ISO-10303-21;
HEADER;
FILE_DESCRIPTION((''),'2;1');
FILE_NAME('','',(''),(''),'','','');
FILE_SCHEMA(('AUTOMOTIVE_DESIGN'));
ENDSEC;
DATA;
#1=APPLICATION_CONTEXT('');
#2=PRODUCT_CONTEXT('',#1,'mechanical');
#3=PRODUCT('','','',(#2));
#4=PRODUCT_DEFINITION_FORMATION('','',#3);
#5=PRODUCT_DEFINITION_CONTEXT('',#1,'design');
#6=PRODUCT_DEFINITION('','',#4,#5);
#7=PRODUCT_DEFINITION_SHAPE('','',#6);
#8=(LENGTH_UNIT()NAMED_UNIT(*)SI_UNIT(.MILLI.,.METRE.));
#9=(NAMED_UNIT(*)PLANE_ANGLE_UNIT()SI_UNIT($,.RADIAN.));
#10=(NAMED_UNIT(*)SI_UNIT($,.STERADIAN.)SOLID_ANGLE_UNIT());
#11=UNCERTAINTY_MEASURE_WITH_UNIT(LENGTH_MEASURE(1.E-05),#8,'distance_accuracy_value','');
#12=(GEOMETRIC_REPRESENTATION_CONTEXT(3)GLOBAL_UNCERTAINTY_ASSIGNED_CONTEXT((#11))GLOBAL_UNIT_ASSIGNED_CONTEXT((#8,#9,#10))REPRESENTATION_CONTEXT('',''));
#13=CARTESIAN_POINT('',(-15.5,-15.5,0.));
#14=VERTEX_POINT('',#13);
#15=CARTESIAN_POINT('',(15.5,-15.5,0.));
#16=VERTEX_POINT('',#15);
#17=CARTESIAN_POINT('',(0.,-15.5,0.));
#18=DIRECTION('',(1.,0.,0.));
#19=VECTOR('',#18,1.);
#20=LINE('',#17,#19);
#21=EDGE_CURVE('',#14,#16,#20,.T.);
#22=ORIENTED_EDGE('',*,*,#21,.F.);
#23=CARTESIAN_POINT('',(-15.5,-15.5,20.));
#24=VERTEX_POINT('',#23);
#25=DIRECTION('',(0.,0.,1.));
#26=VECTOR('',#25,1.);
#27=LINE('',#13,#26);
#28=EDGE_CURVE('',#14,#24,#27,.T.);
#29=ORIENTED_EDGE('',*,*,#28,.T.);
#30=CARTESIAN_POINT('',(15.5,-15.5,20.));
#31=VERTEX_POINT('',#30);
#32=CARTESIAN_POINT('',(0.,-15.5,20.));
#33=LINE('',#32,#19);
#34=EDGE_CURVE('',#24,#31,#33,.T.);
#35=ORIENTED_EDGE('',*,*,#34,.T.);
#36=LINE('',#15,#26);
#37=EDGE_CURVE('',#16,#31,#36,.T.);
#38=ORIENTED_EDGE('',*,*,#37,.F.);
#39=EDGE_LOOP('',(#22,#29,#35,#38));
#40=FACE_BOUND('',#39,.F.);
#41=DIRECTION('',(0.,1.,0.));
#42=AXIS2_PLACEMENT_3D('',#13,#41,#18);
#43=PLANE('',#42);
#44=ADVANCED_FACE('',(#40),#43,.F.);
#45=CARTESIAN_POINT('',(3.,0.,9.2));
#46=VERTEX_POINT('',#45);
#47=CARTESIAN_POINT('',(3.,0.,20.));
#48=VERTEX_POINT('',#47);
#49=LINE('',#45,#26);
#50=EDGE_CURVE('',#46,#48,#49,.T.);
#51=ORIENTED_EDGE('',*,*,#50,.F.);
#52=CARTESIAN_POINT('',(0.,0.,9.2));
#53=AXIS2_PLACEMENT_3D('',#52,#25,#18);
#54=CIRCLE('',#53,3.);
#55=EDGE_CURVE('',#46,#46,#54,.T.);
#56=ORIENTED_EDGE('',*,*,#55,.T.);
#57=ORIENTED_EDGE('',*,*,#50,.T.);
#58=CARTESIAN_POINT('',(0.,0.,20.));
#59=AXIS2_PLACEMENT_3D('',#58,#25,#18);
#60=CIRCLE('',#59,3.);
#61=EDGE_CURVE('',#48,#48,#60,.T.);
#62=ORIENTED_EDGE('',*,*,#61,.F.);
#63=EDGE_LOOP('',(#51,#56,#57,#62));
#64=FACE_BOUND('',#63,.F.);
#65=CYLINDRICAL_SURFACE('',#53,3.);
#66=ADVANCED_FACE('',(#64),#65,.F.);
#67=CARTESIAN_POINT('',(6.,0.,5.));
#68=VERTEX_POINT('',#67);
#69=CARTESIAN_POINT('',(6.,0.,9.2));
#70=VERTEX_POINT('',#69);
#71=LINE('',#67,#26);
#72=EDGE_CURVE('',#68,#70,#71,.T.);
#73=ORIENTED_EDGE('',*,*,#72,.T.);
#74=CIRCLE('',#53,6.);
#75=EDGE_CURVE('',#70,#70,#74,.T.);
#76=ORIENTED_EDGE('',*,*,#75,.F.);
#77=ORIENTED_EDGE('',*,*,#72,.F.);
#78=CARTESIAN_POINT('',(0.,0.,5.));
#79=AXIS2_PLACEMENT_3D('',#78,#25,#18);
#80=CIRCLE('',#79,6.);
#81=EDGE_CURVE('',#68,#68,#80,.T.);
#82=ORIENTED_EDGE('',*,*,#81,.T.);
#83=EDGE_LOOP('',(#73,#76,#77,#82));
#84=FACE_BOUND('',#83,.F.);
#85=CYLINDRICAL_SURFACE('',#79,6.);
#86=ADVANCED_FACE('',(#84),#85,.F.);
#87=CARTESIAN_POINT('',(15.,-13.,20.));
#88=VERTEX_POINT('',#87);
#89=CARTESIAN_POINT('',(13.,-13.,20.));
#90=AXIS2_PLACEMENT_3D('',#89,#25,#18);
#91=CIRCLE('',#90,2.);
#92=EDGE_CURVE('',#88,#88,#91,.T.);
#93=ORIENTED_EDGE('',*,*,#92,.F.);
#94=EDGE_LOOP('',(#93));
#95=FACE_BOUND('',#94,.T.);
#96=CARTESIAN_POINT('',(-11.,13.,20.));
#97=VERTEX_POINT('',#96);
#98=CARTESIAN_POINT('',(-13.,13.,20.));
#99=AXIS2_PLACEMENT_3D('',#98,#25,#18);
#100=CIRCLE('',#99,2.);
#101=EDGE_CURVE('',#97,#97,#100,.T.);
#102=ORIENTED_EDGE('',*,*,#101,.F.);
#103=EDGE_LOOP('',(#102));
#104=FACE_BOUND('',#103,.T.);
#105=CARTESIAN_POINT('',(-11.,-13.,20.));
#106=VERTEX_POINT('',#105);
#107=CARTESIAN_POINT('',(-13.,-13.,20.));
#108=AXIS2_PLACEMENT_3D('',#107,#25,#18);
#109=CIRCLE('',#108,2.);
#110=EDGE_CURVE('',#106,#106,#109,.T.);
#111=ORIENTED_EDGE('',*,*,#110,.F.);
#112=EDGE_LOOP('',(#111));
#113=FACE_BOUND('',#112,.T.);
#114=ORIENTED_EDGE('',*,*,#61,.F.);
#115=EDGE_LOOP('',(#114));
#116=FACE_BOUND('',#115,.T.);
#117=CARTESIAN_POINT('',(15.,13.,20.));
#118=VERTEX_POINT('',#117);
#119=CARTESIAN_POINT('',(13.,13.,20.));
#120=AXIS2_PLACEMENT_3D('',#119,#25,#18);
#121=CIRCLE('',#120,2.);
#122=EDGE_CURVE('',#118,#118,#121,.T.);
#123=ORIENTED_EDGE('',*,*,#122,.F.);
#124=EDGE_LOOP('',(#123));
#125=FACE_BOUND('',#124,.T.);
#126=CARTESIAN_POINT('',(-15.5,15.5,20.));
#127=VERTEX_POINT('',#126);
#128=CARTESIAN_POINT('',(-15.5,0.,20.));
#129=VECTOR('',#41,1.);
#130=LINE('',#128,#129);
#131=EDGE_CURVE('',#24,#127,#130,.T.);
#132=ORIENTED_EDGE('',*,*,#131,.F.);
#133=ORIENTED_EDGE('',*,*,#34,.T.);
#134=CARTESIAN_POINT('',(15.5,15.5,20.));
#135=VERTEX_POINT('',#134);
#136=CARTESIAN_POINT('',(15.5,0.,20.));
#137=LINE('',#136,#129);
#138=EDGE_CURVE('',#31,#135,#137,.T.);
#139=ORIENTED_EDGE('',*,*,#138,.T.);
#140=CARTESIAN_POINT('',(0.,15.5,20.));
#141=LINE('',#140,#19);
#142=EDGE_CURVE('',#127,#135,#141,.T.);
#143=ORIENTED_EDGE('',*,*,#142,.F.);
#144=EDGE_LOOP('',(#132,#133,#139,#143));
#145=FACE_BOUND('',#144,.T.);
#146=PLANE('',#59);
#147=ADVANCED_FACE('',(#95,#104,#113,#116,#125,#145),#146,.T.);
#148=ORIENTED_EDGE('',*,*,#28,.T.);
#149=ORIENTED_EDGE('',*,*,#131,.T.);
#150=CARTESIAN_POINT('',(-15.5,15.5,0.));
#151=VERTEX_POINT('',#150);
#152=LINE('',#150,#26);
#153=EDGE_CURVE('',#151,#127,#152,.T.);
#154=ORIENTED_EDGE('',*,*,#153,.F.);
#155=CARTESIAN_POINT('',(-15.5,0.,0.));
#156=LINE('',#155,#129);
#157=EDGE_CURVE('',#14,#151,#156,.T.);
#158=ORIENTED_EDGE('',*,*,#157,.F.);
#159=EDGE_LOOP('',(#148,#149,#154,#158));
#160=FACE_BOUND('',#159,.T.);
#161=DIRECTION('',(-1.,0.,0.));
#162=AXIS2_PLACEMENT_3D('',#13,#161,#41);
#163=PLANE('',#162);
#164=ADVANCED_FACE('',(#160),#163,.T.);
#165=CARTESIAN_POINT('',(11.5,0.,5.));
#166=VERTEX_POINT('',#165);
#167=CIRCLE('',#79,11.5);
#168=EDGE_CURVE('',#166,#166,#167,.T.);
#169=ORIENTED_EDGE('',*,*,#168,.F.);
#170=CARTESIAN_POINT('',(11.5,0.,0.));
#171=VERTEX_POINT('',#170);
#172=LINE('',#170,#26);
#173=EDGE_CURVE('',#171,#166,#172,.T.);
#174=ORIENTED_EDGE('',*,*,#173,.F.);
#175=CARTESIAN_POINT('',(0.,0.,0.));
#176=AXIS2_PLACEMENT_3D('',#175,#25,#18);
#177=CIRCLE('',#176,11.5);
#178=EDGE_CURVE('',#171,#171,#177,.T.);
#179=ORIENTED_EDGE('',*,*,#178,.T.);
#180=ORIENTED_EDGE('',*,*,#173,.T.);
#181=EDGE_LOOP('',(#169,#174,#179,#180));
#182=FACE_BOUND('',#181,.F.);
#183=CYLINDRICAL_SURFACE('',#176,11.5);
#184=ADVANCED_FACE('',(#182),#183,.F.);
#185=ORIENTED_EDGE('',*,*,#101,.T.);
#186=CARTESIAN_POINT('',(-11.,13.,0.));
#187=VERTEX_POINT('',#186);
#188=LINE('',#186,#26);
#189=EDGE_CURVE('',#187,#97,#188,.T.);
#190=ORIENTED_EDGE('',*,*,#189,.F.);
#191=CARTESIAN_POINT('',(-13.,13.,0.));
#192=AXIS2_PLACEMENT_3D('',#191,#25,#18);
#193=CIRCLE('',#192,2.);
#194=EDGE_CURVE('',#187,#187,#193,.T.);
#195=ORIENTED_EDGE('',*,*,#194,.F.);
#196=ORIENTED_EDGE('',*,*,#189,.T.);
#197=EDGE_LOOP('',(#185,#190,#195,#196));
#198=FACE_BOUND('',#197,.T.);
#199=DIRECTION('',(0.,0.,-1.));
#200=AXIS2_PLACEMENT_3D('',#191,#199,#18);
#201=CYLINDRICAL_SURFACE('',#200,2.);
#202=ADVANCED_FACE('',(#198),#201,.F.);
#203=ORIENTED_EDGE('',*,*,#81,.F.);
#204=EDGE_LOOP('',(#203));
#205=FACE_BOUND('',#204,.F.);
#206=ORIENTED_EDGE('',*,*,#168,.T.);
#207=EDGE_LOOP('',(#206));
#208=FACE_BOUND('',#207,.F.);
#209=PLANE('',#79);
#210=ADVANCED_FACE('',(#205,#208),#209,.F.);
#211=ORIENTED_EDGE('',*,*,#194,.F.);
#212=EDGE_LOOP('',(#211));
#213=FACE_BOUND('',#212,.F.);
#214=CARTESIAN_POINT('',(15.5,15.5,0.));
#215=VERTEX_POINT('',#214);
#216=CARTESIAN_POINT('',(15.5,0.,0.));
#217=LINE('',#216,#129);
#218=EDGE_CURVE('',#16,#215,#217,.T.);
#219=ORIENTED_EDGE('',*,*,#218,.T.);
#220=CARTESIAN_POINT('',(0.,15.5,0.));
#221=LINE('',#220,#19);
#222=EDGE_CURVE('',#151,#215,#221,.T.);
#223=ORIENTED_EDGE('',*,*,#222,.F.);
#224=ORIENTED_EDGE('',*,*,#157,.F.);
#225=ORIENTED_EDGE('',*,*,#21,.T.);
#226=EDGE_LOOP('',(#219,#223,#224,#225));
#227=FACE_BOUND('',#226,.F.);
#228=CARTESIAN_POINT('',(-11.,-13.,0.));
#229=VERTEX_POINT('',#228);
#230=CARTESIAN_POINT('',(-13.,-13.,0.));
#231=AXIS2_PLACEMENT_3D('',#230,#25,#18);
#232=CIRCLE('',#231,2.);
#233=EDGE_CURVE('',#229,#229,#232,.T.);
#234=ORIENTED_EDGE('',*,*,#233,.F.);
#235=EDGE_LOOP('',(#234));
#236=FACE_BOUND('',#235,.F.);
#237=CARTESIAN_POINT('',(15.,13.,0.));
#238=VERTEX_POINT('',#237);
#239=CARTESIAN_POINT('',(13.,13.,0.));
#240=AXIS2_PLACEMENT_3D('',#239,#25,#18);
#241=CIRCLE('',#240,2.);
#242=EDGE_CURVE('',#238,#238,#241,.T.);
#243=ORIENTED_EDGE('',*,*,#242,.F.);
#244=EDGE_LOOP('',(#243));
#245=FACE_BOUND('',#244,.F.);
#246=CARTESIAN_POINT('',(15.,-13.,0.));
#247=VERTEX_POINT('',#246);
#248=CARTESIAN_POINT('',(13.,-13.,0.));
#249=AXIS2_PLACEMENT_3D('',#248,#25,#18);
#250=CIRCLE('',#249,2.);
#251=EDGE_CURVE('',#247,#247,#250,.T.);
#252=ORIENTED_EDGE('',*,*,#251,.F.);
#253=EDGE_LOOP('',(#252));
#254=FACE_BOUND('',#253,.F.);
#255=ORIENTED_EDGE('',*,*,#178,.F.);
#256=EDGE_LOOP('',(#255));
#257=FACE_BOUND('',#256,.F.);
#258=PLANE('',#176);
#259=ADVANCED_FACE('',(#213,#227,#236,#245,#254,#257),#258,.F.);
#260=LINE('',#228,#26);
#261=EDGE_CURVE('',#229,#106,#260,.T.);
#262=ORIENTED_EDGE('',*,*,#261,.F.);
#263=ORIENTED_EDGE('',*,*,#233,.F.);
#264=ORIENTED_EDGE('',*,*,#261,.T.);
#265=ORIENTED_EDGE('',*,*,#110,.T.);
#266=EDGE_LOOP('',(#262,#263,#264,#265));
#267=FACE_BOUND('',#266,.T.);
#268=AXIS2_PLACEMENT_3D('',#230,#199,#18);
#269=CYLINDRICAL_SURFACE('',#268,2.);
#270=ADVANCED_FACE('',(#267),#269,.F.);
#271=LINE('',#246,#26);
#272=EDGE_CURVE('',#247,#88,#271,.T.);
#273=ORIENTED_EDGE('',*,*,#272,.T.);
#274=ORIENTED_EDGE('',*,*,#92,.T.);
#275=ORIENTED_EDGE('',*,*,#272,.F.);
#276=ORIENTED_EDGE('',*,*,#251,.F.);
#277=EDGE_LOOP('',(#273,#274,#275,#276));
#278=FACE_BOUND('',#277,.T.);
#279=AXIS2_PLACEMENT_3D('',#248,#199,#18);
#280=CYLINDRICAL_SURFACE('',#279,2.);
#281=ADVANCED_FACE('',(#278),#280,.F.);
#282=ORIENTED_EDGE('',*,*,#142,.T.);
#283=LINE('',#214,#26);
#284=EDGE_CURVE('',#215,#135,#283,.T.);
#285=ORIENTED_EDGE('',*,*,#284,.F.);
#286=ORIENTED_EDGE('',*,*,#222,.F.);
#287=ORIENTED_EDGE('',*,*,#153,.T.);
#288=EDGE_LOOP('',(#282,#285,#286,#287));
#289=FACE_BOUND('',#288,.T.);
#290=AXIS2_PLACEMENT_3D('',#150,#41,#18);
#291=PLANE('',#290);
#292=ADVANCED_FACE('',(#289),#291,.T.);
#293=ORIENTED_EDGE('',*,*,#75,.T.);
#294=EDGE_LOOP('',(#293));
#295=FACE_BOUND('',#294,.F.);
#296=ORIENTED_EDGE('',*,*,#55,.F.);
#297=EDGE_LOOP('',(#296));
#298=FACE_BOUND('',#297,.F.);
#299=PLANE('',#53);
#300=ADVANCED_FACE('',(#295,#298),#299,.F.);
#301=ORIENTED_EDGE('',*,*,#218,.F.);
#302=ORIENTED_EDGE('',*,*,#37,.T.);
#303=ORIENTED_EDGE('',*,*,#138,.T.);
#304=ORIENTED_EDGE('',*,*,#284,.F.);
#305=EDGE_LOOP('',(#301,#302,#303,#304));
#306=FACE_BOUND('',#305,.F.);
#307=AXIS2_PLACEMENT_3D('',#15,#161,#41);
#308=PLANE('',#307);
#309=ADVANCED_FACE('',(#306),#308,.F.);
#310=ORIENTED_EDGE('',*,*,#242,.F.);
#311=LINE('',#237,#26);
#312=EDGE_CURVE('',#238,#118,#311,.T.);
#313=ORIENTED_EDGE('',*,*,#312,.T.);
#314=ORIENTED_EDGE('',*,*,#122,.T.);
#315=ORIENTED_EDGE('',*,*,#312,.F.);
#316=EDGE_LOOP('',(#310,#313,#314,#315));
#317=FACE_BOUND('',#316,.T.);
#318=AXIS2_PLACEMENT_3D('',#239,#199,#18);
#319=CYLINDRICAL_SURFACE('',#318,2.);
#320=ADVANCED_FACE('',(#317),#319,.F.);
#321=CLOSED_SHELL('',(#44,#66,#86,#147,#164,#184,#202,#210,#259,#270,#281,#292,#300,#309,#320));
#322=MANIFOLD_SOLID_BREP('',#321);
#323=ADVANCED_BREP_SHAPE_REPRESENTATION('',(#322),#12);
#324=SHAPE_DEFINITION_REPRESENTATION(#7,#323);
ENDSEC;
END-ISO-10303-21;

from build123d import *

# Parameters (mm, degrees)
F0_W     = 31
F0_H     = 31
F0_R     = 2
F1_DEPTH = 20


with BuildPart() as f1:
    # F0 (on Top) → F1 (new body)
    with BuildSketch(Plane.XY):
        Rectangle(F0_W, F0_H)
        with Locations((-13, -13)):
            Circle(F0_R, mode=Mode.SUBTRACT)
        with Locations((13, -13)):
            Circle(F0_R, mode=Mode.SUBTRACT)
        with Locations((-13, 13)):
            Circle(F0_R, mode=Mode.SUBTRACT)
        with Locations((13, 13)):
            Circle(F0_R, mode=Mode.SUBTRACT)
    extrude(amount=F1_DEPTH)

    # F2 (on Front) → F3 (revolve, cut)
    with BuildSketch(Plane.XZ):
        Polygon((0, 20), (0, 0), (11.5, 0), (11.5, 5), (6, 5), (6, 9.2), (3, 9.2), (3, 20), align=None)
    revolve(axis=Axis((0, 0, 12.416523), (0, 0, 1)), mode=Mode.SUBTRACT)


solid = f1.part
